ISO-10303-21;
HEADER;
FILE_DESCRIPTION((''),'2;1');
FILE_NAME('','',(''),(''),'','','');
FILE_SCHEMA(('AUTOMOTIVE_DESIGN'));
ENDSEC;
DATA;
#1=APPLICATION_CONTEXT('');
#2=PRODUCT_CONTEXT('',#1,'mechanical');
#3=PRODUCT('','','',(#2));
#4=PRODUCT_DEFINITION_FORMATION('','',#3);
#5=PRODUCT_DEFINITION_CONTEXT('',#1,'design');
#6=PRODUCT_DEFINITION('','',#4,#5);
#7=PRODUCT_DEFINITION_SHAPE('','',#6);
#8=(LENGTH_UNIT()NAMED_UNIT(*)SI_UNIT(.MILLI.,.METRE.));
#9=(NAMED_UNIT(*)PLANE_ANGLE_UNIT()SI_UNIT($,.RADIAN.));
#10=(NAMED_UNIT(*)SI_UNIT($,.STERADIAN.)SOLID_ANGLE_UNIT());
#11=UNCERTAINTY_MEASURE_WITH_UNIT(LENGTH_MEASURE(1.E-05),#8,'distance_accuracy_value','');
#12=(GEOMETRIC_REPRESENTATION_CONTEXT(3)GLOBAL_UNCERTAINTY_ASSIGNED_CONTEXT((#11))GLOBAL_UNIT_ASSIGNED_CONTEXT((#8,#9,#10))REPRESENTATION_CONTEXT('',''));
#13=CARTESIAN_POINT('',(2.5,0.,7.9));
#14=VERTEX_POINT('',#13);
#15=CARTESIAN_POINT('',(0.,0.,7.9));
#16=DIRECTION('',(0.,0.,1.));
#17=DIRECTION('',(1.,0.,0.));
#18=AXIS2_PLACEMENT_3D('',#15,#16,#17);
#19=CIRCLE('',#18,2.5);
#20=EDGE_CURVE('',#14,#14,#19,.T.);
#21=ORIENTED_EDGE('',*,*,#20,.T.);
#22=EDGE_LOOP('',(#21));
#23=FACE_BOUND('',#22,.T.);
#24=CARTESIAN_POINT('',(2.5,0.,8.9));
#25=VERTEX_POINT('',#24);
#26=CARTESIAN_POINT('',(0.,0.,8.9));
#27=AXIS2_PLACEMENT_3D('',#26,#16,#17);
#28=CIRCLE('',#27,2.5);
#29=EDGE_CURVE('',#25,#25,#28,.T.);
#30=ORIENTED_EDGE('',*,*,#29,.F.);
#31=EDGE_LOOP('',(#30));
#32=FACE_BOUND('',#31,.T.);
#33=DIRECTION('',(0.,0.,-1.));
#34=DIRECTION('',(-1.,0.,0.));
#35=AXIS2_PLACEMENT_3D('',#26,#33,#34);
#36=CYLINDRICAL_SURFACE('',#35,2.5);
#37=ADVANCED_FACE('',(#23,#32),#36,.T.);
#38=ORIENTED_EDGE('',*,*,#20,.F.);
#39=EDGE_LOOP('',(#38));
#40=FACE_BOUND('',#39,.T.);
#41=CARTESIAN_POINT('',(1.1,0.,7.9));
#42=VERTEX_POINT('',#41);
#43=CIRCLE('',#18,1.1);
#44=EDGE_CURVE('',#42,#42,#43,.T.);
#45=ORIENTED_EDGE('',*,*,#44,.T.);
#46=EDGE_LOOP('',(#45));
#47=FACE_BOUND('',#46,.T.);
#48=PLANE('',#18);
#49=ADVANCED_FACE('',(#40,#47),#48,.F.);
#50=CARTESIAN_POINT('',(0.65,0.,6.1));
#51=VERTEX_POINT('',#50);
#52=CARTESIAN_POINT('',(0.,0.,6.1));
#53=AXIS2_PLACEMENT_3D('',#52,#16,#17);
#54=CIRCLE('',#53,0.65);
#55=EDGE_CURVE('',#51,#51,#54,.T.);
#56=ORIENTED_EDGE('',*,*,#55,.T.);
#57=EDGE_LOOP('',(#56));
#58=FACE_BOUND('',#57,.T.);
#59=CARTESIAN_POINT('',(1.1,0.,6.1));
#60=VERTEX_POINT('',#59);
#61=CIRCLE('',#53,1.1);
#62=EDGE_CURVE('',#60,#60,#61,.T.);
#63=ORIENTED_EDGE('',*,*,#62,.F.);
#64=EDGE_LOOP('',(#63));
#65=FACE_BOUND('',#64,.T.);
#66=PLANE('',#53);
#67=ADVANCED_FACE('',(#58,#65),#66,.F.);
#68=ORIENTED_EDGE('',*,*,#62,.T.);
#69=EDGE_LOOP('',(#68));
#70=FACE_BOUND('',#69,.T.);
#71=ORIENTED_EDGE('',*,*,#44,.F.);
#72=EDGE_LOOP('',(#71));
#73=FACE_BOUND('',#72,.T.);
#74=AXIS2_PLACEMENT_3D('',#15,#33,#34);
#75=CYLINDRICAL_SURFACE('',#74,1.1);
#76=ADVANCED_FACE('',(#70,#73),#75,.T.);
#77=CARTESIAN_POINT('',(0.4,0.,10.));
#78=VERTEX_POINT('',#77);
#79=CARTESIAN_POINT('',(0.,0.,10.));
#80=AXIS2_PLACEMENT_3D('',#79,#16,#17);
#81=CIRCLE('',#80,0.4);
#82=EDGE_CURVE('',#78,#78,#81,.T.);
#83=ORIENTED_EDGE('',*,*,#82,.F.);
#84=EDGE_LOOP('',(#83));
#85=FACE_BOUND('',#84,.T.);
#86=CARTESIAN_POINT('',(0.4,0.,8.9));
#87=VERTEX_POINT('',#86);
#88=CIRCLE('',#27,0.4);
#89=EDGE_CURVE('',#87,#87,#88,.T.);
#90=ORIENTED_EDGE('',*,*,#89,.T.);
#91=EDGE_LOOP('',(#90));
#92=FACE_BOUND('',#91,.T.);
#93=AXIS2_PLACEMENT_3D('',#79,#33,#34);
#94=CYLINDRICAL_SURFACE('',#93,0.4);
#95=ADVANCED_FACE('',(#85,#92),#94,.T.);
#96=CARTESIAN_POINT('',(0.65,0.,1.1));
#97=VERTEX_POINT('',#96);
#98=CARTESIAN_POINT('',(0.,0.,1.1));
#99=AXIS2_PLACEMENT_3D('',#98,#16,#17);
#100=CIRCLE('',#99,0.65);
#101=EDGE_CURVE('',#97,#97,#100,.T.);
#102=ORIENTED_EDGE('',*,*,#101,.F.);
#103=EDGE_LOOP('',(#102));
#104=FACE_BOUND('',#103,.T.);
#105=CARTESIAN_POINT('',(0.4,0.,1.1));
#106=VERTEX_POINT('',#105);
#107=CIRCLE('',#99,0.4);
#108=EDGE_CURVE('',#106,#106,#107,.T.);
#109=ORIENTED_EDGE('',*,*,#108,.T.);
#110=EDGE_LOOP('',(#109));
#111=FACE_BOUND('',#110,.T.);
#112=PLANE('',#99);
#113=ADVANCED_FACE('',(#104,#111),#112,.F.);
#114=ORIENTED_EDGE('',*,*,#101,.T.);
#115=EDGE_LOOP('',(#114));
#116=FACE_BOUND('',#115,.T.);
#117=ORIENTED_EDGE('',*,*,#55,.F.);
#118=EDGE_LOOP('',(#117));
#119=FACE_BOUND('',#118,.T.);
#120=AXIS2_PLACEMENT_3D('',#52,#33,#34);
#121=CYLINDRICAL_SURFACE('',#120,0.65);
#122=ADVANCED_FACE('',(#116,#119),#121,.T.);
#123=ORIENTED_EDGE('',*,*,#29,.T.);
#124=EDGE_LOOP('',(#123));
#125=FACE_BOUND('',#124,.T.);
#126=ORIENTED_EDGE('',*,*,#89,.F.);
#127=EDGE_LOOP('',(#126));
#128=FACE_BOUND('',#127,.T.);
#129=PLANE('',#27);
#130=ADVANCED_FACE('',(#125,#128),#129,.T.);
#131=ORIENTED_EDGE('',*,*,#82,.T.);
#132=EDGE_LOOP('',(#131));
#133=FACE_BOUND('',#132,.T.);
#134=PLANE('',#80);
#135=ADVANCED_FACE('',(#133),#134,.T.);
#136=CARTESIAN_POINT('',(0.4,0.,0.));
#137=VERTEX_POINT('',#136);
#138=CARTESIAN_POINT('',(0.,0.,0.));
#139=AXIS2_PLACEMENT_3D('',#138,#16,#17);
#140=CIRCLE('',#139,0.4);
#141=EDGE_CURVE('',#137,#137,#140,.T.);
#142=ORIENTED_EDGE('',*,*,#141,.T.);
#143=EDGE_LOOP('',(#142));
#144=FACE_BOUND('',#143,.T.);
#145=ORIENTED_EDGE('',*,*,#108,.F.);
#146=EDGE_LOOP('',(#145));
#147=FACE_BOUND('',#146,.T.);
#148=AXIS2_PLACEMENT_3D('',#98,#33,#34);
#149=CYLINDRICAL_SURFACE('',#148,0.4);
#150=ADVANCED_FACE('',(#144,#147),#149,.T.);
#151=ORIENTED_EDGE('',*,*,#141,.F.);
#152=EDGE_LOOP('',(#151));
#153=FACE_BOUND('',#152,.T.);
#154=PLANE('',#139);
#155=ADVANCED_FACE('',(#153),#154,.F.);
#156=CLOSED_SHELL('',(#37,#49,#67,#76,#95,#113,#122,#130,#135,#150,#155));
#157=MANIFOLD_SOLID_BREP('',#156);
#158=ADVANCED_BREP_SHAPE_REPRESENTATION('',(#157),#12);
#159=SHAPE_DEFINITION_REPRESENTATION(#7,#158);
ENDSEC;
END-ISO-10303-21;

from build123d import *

# Parameters (mm, degrees)
SKETCH1_R           = 0.4
BOSS_EXTRUDE1_DEPTH = 1.1
SKETCH2_R           = 0.65
BOSS_EXTRUDE2_DEPTH = 5
SKETCH3_R           = 1.1
BOSS_EXTRUDE3_DEPTH = 1.8
SKETCH4_R           = 2.5
BOSS_EXTRUDE4_DEPTH = 1
SKETCH5_R           = 0.4
BOSS_EXTRUDE5_DEPTH = 1.1


with BuildPart() as part:
    # Sketch1 → Boss-Extrude1 (new body)
    with BuildSketch(Plane.XY):
        Circle(SKETCH1_R)
    extrude(amount=BOSS_EXTRUDE1_DEPTH)

    # Sketch2 → Boss-Extrude2 (add)
    with BuildSketch(Plane.XY.offset(1.1)):
        Circle(SKETCH2_R)
    extrude(amount=BOSS_EXTRUDE2_DEPTH)

    # Sketch3 → Boss-Extrude3 (add)
    with BuildSketch(Plane.XY.offset(6.1)):
        Circle(SKETCH3_R)
    extrude(amount=BOSS_EXTRUDE3_DEPTH)

    # Sketch4 → Boss-Extrude4 (add)
    with BuildSketch(Plane.XY.offset(7.9)):
        Circle(SKETCH4_R)
    extrude(amount=BOSS_EXTRUDE4_DEPTH)

    # Sketch5 → Boss-Extrude5 (add)
    with BuildSketch(Plane.XY.offset(8.9)):
        Circle(SKETCH5_R)
    extrude(amount=BOSS_EXTRUDE5_DEPTH)


solid = part.part
